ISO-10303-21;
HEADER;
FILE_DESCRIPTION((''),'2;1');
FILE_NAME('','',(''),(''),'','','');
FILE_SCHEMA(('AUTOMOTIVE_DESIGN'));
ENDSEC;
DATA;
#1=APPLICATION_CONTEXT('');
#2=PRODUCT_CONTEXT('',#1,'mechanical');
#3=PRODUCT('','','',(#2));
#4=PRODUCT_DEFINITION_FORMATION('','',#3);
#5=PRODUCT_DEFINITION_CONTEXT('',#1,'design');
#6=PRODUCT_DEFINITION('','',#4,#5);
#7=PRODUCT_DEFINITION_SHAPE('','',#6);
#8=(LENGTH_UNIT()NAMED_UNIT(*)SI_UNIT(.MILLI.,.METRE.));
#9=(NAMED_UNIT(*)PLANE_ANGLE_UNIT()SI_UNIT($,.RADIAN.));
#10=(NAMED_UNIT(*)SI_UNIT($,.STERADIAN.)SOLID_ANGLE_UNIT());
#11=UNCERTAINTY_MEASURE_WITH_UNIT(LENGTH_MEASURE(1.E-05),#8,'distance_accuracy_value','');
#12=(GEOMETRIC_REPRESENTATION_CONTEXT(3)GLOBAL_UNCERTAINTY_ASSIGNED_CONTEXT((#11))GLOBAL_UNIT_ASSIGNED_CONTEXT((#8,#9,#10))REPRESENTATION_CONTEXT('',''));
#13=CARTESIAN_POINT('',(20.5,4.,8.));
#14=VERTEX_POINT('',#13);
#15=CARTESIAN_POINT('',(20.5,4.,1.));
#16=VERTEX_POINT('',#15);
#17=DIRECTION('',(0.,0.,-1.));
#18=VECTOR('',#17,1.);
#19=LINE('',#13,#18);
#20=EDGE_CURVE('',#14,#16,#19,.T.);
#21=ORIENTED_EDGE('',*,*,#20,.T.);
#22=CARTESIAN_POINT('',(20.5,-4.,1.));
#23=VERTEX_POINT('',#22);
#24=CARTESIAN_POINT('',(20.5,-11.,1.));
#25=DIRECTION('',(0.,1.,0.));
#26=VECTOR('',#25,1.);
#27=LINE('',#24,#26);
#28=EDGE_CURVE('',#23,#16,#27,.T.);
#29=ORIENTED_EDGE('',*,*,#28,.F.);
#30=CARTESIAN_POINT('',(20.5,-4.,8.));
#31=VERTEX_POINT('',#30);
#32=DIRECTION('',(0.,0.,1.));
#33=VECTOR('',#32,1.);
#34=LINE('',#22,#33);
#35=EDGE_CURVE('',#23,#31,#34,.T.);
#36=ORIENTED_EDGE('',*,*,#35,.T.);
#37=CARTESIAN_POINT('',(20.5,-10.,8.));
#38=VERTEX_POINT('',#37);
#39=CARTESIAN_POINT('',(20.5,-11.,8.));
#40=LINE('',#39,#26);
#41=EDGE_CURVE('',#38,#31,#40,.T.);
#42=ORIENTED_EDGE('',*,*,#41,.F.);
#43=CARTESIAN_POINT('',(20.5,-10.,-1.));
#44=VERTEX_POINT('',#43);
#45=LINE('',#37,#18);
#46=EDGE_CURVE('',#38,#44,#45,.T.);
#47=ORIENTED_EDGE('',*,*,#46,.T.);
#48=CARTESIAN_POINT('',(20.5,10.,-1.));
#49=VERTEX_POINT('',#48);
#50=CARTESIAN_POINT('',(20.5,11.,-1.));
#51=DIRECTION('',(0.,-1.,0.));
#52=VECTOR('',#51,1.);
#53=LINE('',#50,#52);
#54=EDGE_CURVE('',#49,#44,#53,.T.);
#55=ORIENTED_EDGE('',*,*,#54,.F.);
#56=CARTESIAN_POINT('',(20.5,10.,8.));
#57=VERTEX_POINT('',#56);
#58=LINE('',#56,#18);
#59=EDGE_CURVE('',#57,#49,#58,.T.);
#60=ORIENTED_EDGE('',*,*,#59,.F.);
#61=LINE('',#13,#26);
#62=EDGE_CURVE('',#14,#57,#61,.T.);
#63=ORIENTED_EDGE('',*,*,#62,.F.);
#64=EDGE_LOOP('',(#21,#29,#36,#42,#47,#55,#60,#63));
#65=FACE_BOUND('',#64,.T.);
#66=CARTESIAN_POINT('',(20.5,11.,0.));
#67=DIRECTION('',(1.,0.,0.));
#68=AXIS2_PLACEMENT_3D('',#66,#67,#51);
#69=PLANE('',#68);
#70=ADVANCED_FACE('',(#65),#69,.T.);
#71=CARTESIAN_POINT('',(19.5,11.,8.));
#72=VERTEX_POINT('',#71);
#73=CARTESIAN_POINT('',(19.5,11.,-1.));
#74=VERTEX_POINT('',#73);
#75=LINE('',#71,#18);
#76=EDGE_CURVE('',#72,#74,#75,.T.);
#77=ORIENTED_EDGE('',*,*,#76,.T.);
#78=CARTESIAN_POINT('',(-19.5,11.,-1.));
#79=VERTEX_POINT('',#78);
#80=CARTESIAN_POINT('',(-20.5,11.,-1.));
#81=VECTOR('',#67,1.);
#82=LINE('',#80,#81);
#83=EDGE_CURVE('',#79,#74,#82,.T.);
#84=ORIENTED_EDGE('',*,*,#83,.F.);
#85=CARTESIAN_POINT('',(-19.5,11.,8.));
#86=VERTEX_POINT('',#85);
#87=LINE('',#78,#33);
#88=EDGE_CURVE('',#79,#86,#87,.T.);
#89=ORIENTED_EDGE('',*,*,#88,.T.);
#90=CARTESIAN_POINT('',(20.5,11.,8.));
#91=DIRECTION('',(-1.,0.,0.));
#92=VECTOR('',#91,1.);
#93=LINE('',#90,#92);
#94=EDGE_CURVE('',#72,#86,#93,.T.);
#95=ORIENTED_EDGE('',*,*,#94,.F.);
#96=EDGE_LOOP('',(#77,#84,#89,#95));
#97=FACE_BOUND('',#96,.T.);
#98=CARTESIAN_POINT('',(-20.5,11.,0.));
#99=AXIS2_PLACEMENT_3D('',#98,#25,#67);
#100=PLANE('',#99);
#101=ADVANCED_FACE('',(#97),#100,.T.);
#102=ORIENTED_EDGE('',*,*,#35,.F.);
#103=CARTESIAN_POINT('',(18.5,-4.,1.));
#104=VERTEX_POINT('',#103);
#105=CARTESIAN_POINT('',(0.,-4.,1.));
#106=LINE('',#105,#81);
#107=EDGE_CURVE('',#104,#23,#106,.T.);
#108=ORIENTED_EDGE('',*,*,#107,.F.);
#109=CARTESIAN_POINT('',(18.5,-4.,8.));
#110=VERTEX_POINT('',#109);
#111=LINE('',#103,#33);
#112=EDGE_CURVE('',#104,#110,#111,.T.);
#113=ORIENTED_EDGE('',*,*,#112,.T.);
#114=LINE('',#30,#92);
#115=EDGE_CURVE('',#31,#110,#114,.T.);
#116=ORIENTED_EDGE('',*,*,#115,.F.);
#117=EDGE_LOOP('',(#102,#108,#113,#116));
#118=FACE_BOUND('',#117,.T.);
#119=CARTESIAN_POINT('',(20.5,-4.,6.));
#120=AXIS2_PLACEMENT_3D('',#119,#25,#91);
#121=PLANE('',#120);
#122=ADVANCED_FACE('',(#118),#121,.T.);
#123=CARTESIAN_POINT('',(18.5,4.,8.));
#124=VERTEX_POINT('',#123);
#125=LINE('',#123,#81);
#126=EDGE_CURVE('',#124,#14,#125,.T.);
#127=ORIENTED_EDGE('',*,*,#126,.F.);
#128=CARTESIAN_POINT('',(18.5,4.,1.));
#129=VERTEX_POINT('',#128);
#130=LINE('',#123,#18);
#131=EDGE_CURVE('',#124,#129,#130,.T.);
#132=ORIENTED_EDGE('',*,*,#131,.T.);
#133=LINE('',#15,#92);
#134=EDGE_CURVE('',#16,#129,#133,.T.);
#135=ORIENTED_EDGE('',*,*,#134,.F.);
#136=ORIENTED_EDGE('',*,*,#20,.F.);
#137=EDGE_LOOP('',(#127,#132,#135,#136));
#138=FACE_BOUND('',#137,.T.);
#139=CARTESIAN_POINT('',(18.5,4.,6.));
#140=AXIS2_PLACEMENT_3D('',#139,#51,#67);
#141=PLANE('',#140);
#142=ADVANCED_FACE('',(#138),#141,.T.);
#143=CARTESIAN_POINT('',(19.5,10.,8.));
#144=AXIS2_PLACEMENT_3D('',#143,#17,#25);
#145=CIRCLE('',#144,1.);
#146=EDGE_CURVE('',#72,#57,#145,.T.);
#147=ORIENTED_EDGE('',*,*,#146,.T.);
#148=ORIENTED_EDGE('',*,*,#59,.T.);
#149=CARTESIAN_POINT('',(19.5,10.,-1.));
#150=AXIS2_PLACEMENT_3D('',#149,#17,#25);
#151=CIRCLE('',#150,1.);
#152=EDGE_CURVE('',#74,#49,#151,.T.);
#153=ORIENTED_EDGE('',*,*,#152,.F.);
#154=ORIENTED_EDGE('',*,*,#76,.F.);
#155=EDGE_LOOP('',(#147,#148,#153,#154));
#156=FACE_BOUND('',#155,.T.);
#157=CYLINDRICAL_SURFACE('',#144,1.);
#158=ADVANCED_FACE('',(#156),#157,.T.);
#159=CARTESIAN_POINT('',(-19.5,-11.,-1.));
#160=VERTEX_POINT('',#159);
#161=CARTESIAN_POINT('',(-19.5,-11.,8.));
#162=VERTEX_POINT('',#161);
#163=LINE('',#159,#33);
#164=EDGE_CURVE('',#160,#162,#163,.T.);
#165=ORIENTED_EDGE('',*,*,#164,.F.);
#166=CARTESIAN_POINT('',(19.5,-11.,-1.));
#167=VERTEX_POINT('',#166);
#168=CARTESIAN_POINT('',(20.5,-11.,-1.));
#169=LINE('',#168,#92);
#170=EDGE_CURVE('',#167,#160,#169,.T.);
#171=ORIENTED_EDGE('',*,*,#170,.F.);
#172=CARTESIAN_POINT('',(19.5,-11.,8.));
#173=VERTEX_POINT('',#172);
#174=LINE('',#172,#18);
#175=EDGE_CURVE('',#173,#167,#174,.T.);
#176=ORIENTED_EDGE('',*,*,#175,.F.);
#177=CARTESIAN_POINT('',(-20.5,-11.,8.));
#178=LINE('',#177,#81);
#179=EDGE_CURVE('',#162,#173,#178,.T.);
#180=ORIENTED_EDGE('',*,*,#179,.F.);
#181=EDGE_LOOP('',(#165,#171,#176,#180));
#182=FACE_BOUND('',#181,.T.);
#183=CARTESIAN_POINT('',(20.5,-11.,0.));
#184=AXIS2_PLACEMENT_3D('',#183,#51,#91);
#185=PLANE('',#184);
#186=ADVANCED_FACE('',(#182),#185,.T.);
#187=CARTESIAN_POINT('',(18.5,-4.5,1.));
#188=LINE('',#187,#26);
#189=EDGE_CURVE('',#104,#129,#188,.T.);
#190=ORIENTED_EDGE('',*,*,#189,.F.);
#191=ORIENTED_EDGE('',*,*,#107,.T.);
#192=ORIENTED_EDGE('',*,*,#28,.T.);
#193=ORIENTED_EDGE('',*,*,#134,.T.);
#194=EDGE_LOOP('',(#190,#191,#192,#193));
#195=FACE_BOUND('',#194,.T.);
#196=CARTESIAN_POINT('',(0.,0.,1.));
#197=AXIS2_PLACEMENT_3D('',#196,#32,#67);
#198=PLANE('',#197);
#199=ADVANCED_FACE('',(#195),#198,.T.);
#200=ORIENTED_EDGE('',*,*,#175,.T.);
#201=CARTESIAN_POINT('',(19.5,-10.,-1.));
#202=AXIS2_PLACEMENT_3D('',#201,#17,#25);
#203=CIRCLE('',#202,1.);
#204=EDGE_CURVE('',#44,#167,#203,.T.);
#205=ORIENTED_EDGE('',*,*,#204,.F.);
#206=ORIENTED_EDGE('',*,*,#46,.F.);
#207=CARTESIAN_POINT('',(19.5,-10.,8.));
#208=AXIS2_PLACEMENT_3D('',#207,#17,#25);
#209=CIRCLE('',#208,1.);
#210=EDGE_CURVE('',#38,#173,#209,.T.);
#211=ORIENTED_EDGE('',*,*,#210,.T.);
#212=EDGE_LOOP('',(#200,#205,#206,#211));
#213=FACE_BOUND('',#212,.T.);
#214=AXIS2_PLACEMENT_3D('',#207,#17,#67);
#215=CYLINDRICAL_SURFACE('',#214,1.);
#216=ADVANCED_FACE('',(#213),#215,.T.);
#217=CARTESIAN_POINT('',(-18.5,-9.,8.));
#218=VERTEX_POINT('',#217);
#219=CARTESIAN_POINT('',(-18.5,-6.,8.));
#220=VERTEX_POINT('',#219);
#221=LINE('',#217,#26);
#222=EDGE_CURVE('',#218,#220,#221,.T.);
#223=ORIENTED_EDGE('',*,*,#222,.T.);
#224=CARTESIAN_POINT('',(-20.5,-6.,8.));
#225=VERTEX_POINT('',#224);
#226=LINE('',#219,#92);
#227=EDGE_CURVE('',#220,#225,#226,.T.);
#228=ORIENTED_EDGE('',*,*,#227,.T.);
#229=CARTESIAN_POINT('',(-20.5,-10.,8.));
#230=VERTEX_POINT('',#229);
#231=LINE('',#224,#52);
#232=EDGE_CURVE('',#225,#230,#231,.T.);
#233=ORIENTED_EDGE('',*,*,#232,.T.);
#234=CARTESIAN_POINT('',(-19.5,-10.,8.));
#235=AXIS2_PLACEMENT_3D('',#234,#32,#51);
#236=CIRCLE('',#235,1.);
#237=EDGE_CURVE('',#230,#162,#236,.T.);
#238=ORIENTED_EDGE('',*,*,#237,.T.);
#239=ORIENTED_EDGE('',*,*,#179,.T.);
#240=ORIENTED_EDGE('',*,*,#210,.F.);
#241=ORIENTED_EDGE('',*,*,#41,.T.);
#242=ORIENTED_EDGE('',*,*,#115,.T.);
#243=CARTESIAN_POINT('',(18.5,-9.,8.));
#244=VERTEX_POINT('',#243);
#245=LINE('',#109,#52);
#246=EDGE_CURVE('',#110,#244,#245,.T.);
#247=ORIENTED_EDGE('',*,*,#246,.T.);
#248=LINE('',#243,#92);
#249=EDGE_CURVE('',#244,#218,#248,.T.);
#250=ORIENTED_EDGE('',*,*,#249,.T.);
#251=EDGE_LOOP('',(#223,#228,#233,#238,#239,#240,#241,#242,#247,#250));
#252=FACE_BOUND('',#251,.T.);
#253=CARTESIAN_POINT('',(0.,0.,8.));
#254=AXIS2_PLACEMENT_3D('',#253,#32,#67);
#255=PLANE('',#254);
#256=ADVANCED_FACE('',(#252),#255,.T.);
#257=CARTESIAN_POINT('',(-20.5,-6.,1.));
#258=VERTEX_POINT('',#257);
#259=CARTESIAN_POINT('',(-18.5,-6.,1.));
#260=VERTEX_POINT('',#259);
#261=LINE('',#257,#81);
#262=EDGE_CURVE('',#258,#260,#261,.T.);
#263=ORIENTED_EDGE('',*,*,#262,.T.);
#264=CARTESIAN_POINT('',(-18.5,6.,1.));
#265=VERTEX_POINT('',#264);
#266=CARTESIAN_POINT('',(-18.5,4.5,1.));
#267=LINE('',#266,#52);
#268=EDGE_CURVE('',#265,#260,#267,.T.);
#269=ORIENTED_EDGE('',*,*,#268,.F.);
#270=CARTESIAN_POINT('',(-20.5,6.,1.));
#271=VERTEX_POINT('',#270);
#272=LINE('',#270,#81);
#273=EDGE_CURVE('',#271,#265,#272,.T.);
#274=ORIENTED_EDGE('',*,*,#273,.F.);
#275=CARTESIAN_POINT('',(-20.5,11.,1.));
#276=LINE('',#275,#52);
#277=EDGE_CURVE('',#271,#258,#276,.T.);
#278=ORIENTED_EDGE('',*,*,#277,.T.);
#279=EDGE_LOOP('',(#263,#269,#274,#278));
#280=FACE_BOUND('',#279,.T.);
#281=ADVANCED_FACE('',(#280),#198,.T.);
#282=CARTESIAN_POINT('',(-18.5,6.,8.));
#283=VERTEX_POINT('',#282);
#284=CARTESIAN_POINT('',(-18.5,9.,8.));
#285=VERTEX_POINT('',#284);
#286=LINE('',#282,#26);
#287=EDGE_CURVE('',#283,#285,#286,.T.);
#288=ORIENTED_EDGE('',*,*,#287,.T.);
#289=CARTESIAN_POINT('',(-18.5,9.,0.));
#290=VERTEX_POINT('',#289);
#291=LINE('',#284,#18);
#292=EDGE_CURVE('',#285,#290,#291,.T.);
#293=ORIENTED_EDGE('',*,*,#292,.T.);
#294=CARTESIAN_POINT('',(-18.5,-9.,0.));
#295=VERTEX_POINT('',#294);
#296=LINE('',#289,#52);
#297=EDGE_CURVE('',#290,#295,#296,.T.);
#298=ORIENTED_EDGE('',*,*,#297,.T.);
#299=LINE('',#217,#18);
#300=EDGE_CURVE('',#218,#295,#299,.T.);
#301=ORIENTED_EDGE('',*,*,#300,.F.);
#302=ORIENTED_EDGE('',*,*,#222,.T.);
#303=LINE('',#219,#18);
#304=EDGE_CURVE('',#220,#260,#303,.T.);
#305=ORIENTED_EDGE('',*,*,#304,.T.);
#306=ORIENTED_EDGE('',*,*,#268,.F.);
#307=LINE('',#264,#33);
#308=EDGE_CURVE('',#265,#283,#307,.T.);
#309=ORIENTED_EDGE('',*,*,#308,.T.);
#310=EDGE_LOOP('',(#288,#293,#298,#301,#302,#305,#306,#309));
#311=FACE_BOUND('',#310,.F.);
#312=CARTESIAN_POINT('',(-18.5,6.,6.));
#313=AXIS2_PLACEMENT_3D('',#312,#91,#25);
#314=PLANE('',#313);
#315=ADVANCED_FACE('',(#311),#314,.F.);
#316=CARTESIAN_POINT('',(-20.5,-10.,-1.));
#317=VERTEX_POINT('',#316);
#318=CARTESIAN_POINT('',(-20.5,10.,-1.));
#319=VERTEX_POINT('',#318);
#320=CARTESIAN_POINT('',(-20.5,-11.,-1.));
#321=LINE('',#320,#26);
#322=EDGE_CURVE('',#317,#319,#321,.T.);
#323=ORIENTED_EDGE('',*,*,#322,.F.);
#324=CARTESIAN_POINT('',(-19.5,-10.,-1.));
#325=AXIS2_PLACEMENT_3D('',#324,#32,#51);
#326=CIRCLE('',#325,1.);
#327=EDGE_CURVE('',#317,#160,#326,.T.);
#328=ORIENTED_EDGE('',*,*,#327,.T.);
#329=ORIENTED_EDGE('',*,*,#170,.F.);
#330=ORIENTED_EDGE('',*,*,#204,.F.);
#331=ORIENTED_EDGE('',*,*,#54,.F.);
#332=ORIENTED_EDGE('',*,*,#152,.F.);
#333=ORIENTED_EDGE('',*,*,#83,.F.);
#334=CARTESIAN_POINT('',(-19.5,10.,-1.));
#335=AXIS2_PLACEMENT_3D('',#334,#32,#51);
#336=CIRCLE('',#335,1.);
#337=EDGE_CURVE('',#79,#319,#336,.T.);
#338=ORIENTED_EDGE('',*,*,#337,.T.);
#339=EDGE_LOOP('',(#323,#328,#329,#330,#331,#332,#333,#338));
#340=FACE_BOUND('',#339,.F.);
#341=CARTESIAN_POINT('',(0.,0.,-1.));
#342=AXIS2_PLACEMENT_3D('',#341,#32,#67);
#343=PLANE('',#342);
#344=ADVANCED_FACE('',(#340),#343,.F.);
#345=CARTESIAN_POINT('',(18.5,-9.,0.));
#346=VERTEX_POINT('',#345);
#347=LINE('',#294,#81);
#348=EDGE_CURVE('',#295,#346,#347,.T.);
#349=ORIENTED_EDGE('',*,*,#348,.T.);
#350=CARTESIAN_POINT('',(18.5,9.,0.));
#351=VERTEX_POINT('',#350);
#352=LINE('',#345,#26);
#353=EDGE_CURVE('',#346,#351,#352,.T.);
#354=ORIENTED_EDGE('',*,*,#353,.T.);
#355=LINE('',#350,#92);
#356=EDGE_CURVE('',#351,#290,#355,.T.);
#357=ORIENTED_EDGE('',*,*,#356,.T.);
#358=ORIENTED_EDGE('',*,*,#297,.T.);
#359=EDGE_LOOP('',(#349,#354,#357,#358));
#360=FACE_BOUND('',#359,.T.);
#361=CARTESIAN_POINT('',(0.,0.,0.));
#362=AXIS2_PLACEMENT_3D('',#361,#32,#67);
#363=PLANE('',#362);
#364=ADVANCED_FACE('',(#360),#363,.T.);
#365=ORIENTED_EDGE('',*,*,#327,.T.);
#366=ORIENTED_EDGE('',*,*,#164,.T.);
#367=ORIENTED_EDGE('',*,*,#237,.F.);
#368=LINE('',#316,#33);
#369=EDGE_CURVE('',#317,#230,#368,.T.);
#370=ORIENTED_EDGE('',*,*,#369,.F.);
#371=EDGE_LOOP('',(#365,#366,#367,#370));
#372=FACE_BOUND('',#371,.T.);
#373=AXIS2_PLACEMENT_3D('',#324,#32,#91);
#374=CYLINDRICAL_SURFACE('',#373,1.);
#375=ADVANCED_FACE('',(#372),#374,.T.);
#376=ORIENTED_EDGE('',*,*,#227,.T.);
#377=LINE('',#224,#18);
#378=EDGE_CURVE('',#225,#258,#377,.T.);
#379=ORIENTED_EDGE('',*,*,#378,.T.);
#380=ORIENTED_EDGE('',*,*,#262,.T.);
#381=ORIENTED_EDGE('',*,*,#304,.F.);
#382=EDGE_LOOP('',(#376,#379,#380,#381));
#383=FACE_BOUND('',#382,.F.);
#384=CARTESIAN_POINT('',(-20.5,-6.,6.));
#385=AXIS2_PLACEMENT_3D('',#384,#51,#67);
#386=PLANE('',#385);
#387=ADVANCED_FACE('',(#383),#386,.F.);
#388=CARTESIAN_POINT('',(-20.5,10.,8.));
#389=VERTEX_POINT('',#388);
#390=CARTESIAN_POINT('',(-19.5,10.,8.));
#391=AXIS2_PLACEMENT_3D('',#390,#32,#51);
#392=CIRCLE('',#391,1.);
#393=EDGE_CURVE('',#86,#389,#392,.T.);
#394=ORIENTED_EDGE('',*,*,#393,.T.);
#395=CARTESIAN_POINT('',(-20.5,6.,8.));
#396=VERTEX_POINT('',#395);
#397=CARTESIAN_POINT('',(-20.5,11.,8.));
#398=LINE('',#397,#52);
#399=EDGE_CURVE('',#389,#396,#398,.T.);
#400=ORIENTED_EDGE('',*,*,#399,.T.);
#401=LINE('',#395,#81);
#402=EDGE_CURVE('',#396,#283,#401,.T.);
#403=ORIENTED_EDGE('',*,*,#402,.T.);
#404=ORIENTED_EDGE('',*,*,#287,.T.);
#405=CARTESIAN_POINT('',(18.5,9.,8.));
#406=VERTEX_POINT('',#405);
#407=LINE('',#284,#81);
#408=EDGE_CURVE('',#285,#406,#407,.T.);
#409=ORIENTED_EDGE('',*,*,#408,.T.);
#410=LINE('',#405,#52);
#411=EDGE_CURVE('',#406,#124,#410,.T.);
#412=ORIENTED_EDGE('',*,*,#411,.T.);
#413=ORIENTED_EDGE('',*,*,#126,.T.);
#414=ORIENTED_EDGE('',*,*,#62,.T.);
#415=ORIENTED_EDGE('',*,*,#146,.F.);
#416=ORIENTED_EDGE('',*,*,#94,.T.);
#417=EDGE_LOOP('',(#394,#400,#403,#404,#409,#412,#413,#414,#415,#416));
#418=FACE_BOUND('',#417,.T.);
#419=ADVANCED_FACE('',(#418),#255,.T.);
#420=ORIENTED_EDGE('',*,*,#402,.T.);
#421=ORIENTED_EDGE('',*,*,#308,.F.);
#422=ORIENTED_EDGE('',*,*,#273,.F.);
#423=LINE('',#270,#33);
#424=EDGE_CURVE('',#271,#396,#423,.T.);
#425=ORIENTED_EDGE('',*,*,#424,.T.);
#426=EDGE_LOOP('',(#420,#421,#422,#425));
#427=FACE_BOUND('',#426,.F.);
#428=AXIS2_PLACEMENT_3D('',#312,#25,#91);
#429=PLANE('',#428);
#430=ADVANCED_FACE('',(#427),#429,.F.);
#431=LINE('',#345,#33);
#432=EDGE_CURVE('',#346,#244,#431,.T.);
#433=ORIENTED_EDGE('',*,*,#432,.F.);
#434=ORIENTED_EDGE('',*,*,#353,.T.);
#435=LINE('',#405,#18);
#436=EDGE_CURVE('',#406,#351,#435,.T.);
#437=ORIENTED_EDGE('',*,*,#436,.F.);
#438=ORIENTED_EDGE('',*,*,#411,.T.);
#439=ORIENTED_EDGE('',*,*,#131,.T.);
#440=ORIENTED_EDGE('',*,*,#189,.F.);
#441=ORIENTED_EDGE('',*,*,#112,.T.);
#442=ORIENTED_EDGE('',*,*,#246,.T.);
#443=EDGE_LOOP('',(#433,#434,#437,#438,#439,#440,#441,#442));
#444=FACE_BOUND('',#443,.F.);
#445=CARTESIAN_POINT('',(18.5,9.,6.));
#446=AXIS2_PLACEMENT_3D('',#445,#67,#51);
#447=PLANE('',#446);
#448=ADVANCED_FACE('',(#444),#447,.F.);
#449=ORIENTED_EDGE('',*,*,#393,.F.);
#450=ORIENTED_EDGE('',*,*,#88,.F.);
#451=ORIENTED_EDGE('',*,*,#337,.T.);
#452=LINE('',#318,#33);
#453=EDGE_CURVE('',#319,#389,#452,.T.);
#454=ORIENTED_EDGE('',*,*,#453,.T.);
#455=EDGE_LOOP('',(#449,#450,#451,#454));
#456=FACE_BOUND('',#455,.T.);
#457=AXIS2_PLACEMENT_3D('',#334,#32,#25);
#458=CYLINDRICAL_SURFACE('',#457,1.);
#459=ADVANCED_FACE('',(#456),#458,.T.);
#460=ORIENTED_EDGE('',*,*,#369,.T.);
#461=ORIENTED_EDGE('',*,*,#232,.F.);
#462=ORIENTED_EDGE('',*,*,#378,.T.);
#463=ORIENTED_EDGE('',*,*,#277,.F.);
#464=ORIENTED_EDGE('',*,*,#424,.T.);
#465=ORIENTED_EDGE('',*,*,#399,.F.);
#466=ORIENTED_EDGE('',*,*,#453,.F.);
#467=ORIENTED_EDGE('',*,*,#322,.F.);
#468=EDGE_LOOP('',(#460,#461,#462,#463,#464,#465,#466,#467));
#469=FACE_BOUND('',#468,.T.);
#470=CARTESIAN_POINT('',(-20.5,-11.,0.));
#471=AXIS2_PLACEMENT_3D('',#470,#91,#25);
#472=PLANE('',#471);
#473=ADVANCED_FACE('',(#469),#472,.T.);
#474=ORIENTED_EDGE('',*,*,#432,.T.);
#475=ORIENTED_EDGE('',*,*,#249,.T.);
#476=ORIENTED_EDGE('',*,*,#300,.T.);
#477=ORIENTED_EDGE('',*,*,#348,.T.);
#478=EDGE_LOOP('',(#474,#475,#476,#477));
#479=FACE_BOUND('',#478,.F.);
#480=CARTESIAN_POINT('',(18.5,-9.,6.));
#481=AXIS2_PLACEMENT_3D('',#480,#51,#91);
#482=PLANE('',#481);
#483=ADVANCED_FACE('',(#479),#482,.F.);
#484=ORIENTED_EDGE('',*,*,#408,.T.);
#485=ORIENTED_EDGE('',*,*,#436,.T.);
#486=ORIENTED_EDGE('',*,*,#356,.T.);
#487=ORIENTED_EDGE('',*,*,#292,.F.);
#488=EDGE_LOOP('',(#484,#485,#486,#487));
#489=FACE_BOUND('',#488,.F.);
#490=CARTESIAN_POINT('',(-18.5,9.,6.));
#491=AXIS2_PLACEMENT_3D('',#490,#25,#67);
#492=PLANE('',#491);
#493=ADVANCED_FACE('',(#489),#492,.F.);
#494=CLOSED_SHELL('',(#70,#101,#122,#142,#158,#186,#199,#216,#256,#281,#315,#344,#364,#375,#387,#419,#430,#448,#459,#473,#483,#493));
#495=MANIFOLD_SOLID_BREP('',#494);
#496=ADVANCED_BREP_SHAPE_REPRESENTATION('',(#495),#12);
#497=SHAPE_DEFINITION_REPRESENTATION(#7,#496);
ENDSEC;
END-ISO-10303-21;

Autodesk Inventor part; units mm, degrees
ref_plane "YZ Plane" through (0, 0, 0) normal (1, 0, 0) x (0, 1, 0)
ref_plane "XZ Plane" through (0, 0, 0) normal (0, 1, 0) x (-1, 0, 0)
ref_plane "XY Plane" through (0, 0, 0) normal (0, 0, 1) x (1, 0, 0)
sketch "Skizze1" plane through (0, 0, 0) normal (0, 0, 1) x (1, 0, 0)
  line L0 (-18.5, -9) -> (18.5, -9)
  line L1 (18.5, -9) -> (18.5, 9)
  line L2 (18.5, 9) -> (-18.5, 9)
  line L3 (-18.5, 9) -> (-18.5, -9)
  line L4 (-18.5, -9) -> (18.5, 9) construction
  line L5 (18.5, -9) -> (-18.5, 9) construction
  line L6 (-20.5, 11) -> (20.5, 11)
  line L7 (20.5, 11) -> (20.5, -11)
  line L8 (20.5, -11) -> (-20.5, -11)
  line L9 (-20.5, -11) -> (-20.5, 11)
  point P0 (0, 0)
  dimension "d0" = 18
  dimension "d1" = 37
  dimension "d2" = 2
extrude "Extrusion1" add sketch "Skizze1" against normal blind 1 contours L3 L2 L1 L0 | L6 L7 L8 L9
extrude "Extrusion2" add sketch "Skizze1" along normal blind 6
sketch "Skizze2" plane through (0, 0, 6) normal (0, 0, 1) x (1, 0, 0)
  line L0 (-18.5, -9) -> (-18.5, 9) projected
  line L1 (-18.5, 9) -> (18.5, 9) projected
  line L2 (18.5, 9) -> (18.5, -9) projected
  line L3 (18.5, -9) -> (-18.5, -9) projected
  line L4 (20.5, 11) -> (-20.5, 11) projected
  line L5 (-20.5, 11) -> (-20.5, -11) projected
  line L6 (-20.5, -11) -> (20.5, -11) projected
  line L7 (20.5, -11) -> (20.5, 11) projected
  line L8 (-20.5, -6) -> (0, -6)
  line L9 (0, -6) -> (0, 6)
  line L10 (0, 6) -> (-20.5, 6)
  line L11 (-20.5, 6) -> (-20.5, -6)
  line L12 (-20.5, 11) -> (-20.5, -11) projected
  point P0 (0, 0)
  point P1 (0, 0)
  dimension "d7" = 12
extrude "Extrusion3" cut sketch "Skizze2" against normal blind 5 contours L8 L5 L10 L0 | L0 L10 L9 L8
sketch "Skizze3" plane through (0, 0, 6) normal (0, 0, 1) x (1, 0, 0)
  line L0 (-20.5, 6) -> (-18.5, 6) projected
  line L1 (-18.5, 6) -> (-18.5, 9) projected
  line L2 (-18.5, 9) -> (18.5, 9) projected
  line L3 (18.5, 9) -> (18.5, -9) projected
  line L4 (18.5, -9) -> (-18.5, -9) projected
  line L5 (-18.5, -9) -> (-18.5, -6) projected
  line L6 (-18.5, -6) -> (-20.5, -6) projected
  line L7 (-20.5, -6) -> (-20.5, -11) projected
  line L8 (-20.5, -11) -> (20.5, -11) projected
  line L9 (20.5, -11) -> (20.5, 11) projected
  line L10 (20.5, 11) -> (-20.5, 11) projected
  line L11 (-20.5, 11) -> (-20.5, 6) projected
  line L12 (20.5, -4) -> (0, -4)
  line L13 (0, -4) -> (0, 4)
  line L14 (0, 4) -> (20.5, 4)
  line L15 (20.5, 4) -> (20.5, -4)
  point P0 (0, 0)
  point P1 (0, 0)
  point P2 (20.5, 0)
  dimension "d10" = 8
extrude "Extrusion4" cut sketch "Skizze3" against normal blind 5 contours L9 L12 L3 L14 | L3 L12 L13 L14
sketch "Skizze4" plane through (0, 0, 6) normal (0, 0, 1) x (1, 0, 0)
  line L0 (20.5, -4) -> (18.5, -4) projected
  line L1 (18.5, -4) -> (18.5, -9) projected
  line L2 (18.5, -9) -> (-18.5, -9) projected
  line L3 (-18.5, -9) -> (-18.5, -6) projected
  line L4 (-18.5, -6) -> (-20.5, -6) projected
  line L5 (-20.5, -6) -> (-20.5, -11) projected
  line L6 (-20.5, -11) -> (20.5, -11) projected
  line L7 (20.5, -11) -> (20.5, -4) projected
  line L8 (18.5, 4) -> (20.5, 4) projected
  line L9 (20.5, 4) -> (20.5, 11) projected
  line L10 (20.5, 11) -> (-20.5, 11) projected
  line L11 (-20.5, 11) -> (-20.5, 6) projected
  line L12 (-20.5, 6) -> (-18.5, 6) projected
  line L13 (-18.5, 6) -> (-18.5, 9) projected
  line L14 (-18.5, 9) -> (18.5, 9) projected
  line L15 (18.5, 9) -> (18.5, 4) projected
  point P0 (0, 0)
extrude "Extrusion5" add sketch "Skizze4" along normal blind 2
fillet "Rundung1" radius 1 4 edges at (20.5, 11, 3.5) (-20.5, 11, 3.5) (-20.5, -11, 3.5) (20.5, -11, 3.5)
properties part number "USB_case_A"
